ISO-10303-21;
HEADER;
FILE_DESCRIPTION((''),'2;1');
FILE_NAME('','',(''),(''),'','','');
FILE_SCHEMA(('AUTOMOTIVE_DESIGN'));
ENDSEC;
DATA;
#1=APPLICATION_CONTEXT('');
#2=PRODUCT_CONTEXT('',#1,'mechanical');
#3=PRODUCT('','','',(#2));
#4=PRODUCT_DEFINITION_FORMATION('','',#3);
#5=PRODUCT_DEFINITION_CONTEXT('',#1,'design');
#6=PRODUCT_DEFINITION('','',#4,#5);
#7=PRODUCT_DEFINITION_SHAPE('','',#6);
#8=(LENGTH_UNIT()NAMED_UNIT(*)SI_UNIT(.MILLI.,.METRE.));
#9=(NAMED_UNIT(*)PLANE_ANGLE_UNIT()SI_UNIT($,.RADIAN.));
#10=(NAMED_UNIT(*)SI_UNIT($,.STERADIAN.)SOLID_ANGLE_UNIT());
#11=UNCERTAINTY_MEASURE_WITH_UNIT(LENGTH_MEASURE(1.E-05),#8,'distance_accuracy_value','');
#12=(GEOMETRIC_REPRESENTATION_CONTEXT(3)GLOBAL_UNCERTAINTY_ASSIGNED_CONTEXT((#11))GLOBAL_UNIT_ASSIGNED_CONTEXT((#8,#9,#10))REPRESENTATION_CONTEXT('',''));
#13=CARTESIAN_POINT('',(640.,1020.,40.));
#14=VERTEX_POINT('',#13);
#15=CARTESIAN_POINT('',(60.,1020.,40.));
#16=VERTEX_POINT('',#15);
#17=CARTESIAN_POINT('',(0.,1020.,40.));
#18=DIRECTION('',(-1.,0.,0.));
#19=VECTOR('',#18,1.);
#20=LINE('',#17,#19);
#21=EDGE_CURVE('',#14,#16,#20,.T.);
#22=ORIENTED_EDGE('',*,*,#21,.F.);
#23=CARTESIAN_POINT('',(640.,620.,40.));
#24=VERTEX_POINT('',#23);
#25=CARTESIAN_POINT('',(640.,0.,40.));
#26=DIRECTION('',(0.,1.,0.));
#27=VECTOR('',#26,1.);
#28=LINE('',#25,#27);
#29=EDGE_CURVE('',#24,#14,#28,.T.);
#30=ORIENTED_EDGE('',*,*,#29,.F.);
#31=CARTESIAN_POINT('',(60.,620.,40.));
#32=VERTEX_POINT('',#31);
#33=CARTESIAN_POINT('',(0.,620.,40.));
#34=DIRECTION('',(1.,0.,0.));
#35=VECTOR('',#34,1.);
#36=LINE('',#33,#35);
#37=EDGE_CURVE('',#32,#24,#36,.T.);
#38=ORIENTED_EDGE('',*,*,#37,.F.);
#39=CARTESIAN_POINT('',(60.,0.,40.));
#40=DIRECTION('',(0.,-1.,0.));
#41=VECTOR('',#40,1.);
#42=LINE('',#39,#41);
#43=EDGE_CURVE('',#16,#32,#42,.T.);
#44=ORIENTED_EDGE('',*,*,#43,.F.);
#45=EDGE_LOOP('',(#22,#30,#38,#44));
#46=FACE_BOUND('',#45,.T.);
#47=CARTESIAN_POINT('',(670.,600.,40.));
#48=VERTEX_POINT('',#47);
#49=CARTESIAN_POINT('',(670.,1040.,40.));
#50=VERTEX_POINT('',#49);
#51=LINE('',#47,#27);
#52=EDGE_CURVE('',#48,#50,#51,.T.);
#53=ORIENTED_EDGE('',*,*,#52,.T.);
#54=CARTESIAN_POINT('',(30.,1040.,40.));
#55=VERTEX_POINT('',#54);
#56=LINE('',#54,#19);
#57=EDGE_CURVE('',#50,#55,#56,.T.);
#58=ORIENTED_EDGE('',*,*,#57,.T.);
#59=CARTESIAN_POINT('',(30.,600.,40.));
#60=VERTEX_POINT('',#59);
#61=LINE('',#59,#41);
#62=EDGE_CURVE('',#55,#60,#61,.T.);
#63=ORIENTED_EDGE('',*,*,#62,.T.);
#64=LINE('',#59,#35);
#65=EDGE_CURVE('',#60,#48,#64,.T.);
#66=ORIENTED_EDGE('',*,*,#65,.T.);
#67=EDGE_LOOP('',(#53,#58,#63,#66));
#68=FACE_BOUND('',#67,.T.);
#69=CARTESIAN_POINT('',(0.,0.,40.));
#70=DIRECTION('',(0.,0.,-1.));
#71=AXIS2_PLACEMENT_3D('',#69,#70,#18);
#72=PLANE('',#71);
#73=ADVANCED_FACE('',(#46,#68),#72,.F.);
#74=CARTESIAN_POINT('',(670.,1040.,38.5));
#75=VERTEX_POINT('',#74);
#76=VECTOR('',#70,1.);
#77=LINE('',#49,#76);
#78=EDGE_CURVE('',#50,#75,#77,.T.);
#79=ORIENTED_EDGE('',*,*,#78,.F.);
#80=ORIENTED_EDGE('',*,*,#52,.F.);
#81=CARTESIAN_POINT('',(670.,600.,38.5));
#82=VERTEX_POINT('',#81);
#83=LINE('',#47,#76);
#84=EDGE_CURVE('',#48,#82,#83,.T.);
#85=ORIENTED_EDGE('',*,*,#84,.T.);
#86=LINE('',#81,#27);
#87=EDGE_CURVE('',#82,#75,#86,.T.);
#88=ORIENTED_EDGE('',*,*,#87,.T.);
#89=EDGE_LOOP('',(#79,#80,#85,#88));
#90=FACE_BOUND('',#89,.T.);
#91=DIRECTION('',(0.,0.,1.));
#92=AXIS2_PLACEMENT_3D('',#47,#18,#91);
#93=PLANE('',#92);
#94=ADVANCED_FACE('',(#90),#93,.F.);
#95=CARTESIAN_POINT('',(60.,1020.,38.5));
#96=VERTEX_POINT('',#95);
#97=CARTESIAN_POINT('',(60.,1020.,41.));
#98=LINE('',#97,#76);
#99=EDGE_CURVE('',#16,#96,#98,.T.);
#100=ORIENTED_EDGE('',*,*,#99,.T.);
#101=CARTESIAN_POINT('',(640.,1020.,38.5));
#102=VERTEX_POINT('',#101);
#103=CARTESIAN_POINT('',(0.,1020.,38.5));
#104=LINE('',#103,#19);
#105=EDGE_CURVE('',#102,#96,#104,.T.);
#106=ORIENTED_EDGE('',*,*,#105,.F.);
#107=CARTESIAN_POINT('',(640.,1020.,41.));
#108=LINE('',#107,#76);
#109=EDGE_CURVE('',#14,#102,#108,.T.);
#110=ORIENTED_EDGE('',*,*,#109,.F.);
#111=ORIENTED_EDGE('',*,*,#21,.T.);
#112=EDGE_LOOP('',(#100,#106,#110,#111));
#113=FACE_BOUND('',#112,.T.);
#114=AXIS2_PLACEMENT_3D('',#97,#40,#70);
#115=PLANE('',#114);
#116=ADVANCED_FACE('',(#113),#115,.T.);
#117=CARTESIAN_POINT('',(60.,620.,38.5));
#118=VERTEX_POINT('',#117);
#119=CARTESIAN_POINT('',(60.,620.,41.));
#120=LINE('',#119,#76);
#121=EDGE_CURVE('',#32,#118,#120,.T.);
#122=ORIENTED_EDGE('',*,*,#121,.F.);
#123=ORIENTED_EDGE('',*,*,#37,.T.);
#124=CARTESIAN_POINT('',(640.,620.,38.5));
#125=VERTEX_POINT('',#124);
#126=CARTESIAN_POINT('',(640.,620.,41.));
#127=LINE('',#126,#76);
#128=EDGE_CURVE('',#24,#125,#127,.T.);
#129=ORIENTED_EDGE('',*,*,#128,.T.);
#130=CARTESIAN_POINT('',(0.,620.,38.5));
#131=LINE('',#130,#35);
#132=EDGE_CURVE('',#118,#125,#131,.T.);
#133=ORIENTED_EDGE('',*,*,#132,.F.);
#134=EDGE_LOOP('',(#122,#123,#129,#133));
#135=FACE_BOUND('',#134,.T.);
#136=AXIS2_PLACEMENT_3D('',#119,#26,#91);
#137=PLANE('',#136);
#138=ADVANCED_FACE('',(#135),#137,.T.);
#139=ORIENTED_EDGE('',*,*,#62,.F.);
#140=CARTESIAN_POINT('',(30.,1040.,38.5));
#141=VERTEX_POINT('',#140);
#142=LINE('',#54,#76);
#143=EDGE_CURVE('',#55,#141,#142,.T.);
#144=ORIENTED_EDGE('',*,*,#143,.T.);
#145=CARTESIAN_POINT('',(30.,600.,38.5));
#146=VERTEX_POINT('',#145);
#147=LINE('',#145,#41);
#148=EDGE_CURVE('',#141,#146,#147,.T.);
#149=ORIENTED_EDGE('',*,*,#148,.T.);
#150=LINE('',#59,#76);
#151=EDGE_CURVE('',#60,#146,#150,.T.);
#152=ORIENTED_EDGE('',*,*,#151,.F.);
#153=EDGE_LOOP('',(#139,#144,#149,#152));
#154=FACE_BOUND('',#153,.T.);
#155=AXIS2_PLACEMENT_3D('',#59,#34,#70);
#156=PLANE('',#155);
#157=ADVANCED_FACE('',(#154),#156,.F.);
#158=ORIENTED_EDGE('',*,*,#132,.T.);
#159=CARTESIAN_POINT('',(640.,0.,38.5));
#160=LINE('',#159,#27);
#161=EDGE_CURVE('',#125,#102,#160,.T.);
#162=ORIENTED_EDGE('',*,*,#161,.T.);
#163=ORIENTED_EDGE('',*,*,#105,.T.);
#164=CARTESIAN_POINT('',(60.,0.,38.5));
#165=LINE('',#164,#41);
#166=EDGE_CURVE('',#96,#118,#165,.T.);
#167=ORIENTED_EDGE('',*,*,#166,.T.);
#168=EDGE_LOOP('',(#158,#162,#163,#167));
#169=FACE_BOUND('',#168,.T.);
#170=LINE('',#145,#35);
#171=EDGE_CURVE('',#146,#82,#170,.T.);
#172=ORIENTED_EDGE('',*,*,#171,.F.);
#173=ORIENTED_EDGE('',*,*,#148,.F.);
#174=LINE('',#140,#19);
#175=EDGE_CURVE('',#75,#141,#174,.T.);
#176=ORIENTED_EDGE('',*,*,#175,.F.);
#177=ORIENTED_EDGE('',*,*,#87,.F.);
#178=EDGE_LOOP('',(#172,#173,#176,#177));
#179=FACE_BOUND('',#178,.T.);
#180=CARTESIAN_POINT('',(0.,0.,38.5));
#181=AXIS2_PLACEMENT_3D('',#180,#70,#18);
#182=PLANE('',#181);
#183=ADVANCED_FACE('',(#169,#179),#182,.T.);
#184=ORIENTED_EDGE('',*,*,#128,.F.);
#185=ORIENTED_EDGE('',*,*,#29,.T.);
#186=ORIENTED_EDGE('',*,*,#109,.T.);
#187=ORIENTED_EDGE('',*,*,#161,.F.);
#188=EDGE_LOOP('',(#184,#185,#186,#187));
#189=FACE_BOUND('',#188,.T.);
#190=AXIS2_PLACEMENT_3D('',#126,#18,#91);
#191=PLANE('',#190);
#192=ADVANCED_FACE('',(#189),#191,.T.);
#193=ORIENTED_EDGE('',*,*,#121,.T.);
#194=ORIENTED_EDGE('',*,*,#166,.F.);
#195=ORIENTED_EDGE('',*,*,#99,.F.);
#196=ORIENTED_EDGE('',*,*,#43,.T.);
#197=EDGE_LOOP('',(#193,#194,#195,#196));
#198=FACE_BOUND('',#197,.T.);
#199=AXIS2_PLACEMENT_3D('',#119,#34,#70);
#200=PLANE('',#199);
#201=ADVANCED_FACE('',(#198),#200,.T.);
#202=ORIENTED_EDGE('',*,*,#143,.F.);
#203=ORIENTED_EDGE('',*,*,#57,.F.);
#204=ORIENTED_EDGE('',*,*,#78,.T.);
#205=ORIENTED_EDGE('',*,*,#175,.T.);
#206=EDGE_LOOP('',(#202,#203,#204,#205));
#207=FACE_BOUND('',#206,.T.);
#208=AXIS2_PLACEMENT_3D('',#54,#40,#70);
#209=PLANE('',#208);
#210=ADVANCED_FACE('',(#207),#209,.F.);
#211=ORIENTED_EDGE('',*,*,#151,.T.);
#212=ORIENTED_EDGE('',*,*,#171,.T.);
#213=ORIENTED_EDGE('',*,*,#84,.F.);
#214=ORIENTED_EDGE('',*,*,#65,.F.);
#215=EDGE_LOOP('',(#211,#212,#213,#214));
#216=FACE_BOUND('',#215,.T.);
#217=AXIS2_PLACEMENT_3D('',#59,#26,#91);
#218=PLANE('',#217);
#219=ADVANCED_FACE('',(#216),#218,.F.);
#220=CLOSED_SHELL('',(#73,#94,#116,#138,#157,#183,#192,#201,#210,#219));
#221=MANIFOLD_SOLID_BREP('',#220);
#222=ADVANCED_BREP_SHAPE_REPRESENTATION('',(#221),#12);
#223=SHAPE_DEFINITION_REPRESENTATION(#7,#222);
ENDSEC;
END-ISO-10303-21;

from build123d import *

# Parameters (mm, degrees)
PACK_PANEL_KUTULAMA_1_START = 38.5
SKETCH1_W                   = 640
SKETCH1_H                   = 440
PACK_PANEL_KUTULAMA_1_DEPTH = 1.5
PACK_PANEL_KUTULAMA_2_START = 37.5
SKETCH2_W                   = 580
SKETCH2_H                   = 400
PACK_PANEL_KUTULAMA_2_DEPTH = 3.5


with BuildPart() as part:
    # Sketch1 → PACK_panel_kutulama_1 (new body)
    with BuildSketch(Plane.XY.offset(PACK_PANEL_KUTULAMA_1_START)):
        with Locations((350, 820)):
            Rectangle(SKETCH1_W, SKETCH1_H)
    extrude(amount=PACK_PANEL_KUTULAMA_1_DEPTH)

    # Sketch2 → PACK_panel_kutulama_2 (cut)
    with BuildSketch(Plane.XY.offset(PACK_PANEL_KUTULAMA_2_START)):
        with Locations((350, 820)):
            Rectangle(SKETCH2_W, SKETCH2_H)
    extrude(amount=PACK_PANEL_KUTULAMA_2_DEPTH, mode=Mode.SUBTRACT)


solid = part.part
